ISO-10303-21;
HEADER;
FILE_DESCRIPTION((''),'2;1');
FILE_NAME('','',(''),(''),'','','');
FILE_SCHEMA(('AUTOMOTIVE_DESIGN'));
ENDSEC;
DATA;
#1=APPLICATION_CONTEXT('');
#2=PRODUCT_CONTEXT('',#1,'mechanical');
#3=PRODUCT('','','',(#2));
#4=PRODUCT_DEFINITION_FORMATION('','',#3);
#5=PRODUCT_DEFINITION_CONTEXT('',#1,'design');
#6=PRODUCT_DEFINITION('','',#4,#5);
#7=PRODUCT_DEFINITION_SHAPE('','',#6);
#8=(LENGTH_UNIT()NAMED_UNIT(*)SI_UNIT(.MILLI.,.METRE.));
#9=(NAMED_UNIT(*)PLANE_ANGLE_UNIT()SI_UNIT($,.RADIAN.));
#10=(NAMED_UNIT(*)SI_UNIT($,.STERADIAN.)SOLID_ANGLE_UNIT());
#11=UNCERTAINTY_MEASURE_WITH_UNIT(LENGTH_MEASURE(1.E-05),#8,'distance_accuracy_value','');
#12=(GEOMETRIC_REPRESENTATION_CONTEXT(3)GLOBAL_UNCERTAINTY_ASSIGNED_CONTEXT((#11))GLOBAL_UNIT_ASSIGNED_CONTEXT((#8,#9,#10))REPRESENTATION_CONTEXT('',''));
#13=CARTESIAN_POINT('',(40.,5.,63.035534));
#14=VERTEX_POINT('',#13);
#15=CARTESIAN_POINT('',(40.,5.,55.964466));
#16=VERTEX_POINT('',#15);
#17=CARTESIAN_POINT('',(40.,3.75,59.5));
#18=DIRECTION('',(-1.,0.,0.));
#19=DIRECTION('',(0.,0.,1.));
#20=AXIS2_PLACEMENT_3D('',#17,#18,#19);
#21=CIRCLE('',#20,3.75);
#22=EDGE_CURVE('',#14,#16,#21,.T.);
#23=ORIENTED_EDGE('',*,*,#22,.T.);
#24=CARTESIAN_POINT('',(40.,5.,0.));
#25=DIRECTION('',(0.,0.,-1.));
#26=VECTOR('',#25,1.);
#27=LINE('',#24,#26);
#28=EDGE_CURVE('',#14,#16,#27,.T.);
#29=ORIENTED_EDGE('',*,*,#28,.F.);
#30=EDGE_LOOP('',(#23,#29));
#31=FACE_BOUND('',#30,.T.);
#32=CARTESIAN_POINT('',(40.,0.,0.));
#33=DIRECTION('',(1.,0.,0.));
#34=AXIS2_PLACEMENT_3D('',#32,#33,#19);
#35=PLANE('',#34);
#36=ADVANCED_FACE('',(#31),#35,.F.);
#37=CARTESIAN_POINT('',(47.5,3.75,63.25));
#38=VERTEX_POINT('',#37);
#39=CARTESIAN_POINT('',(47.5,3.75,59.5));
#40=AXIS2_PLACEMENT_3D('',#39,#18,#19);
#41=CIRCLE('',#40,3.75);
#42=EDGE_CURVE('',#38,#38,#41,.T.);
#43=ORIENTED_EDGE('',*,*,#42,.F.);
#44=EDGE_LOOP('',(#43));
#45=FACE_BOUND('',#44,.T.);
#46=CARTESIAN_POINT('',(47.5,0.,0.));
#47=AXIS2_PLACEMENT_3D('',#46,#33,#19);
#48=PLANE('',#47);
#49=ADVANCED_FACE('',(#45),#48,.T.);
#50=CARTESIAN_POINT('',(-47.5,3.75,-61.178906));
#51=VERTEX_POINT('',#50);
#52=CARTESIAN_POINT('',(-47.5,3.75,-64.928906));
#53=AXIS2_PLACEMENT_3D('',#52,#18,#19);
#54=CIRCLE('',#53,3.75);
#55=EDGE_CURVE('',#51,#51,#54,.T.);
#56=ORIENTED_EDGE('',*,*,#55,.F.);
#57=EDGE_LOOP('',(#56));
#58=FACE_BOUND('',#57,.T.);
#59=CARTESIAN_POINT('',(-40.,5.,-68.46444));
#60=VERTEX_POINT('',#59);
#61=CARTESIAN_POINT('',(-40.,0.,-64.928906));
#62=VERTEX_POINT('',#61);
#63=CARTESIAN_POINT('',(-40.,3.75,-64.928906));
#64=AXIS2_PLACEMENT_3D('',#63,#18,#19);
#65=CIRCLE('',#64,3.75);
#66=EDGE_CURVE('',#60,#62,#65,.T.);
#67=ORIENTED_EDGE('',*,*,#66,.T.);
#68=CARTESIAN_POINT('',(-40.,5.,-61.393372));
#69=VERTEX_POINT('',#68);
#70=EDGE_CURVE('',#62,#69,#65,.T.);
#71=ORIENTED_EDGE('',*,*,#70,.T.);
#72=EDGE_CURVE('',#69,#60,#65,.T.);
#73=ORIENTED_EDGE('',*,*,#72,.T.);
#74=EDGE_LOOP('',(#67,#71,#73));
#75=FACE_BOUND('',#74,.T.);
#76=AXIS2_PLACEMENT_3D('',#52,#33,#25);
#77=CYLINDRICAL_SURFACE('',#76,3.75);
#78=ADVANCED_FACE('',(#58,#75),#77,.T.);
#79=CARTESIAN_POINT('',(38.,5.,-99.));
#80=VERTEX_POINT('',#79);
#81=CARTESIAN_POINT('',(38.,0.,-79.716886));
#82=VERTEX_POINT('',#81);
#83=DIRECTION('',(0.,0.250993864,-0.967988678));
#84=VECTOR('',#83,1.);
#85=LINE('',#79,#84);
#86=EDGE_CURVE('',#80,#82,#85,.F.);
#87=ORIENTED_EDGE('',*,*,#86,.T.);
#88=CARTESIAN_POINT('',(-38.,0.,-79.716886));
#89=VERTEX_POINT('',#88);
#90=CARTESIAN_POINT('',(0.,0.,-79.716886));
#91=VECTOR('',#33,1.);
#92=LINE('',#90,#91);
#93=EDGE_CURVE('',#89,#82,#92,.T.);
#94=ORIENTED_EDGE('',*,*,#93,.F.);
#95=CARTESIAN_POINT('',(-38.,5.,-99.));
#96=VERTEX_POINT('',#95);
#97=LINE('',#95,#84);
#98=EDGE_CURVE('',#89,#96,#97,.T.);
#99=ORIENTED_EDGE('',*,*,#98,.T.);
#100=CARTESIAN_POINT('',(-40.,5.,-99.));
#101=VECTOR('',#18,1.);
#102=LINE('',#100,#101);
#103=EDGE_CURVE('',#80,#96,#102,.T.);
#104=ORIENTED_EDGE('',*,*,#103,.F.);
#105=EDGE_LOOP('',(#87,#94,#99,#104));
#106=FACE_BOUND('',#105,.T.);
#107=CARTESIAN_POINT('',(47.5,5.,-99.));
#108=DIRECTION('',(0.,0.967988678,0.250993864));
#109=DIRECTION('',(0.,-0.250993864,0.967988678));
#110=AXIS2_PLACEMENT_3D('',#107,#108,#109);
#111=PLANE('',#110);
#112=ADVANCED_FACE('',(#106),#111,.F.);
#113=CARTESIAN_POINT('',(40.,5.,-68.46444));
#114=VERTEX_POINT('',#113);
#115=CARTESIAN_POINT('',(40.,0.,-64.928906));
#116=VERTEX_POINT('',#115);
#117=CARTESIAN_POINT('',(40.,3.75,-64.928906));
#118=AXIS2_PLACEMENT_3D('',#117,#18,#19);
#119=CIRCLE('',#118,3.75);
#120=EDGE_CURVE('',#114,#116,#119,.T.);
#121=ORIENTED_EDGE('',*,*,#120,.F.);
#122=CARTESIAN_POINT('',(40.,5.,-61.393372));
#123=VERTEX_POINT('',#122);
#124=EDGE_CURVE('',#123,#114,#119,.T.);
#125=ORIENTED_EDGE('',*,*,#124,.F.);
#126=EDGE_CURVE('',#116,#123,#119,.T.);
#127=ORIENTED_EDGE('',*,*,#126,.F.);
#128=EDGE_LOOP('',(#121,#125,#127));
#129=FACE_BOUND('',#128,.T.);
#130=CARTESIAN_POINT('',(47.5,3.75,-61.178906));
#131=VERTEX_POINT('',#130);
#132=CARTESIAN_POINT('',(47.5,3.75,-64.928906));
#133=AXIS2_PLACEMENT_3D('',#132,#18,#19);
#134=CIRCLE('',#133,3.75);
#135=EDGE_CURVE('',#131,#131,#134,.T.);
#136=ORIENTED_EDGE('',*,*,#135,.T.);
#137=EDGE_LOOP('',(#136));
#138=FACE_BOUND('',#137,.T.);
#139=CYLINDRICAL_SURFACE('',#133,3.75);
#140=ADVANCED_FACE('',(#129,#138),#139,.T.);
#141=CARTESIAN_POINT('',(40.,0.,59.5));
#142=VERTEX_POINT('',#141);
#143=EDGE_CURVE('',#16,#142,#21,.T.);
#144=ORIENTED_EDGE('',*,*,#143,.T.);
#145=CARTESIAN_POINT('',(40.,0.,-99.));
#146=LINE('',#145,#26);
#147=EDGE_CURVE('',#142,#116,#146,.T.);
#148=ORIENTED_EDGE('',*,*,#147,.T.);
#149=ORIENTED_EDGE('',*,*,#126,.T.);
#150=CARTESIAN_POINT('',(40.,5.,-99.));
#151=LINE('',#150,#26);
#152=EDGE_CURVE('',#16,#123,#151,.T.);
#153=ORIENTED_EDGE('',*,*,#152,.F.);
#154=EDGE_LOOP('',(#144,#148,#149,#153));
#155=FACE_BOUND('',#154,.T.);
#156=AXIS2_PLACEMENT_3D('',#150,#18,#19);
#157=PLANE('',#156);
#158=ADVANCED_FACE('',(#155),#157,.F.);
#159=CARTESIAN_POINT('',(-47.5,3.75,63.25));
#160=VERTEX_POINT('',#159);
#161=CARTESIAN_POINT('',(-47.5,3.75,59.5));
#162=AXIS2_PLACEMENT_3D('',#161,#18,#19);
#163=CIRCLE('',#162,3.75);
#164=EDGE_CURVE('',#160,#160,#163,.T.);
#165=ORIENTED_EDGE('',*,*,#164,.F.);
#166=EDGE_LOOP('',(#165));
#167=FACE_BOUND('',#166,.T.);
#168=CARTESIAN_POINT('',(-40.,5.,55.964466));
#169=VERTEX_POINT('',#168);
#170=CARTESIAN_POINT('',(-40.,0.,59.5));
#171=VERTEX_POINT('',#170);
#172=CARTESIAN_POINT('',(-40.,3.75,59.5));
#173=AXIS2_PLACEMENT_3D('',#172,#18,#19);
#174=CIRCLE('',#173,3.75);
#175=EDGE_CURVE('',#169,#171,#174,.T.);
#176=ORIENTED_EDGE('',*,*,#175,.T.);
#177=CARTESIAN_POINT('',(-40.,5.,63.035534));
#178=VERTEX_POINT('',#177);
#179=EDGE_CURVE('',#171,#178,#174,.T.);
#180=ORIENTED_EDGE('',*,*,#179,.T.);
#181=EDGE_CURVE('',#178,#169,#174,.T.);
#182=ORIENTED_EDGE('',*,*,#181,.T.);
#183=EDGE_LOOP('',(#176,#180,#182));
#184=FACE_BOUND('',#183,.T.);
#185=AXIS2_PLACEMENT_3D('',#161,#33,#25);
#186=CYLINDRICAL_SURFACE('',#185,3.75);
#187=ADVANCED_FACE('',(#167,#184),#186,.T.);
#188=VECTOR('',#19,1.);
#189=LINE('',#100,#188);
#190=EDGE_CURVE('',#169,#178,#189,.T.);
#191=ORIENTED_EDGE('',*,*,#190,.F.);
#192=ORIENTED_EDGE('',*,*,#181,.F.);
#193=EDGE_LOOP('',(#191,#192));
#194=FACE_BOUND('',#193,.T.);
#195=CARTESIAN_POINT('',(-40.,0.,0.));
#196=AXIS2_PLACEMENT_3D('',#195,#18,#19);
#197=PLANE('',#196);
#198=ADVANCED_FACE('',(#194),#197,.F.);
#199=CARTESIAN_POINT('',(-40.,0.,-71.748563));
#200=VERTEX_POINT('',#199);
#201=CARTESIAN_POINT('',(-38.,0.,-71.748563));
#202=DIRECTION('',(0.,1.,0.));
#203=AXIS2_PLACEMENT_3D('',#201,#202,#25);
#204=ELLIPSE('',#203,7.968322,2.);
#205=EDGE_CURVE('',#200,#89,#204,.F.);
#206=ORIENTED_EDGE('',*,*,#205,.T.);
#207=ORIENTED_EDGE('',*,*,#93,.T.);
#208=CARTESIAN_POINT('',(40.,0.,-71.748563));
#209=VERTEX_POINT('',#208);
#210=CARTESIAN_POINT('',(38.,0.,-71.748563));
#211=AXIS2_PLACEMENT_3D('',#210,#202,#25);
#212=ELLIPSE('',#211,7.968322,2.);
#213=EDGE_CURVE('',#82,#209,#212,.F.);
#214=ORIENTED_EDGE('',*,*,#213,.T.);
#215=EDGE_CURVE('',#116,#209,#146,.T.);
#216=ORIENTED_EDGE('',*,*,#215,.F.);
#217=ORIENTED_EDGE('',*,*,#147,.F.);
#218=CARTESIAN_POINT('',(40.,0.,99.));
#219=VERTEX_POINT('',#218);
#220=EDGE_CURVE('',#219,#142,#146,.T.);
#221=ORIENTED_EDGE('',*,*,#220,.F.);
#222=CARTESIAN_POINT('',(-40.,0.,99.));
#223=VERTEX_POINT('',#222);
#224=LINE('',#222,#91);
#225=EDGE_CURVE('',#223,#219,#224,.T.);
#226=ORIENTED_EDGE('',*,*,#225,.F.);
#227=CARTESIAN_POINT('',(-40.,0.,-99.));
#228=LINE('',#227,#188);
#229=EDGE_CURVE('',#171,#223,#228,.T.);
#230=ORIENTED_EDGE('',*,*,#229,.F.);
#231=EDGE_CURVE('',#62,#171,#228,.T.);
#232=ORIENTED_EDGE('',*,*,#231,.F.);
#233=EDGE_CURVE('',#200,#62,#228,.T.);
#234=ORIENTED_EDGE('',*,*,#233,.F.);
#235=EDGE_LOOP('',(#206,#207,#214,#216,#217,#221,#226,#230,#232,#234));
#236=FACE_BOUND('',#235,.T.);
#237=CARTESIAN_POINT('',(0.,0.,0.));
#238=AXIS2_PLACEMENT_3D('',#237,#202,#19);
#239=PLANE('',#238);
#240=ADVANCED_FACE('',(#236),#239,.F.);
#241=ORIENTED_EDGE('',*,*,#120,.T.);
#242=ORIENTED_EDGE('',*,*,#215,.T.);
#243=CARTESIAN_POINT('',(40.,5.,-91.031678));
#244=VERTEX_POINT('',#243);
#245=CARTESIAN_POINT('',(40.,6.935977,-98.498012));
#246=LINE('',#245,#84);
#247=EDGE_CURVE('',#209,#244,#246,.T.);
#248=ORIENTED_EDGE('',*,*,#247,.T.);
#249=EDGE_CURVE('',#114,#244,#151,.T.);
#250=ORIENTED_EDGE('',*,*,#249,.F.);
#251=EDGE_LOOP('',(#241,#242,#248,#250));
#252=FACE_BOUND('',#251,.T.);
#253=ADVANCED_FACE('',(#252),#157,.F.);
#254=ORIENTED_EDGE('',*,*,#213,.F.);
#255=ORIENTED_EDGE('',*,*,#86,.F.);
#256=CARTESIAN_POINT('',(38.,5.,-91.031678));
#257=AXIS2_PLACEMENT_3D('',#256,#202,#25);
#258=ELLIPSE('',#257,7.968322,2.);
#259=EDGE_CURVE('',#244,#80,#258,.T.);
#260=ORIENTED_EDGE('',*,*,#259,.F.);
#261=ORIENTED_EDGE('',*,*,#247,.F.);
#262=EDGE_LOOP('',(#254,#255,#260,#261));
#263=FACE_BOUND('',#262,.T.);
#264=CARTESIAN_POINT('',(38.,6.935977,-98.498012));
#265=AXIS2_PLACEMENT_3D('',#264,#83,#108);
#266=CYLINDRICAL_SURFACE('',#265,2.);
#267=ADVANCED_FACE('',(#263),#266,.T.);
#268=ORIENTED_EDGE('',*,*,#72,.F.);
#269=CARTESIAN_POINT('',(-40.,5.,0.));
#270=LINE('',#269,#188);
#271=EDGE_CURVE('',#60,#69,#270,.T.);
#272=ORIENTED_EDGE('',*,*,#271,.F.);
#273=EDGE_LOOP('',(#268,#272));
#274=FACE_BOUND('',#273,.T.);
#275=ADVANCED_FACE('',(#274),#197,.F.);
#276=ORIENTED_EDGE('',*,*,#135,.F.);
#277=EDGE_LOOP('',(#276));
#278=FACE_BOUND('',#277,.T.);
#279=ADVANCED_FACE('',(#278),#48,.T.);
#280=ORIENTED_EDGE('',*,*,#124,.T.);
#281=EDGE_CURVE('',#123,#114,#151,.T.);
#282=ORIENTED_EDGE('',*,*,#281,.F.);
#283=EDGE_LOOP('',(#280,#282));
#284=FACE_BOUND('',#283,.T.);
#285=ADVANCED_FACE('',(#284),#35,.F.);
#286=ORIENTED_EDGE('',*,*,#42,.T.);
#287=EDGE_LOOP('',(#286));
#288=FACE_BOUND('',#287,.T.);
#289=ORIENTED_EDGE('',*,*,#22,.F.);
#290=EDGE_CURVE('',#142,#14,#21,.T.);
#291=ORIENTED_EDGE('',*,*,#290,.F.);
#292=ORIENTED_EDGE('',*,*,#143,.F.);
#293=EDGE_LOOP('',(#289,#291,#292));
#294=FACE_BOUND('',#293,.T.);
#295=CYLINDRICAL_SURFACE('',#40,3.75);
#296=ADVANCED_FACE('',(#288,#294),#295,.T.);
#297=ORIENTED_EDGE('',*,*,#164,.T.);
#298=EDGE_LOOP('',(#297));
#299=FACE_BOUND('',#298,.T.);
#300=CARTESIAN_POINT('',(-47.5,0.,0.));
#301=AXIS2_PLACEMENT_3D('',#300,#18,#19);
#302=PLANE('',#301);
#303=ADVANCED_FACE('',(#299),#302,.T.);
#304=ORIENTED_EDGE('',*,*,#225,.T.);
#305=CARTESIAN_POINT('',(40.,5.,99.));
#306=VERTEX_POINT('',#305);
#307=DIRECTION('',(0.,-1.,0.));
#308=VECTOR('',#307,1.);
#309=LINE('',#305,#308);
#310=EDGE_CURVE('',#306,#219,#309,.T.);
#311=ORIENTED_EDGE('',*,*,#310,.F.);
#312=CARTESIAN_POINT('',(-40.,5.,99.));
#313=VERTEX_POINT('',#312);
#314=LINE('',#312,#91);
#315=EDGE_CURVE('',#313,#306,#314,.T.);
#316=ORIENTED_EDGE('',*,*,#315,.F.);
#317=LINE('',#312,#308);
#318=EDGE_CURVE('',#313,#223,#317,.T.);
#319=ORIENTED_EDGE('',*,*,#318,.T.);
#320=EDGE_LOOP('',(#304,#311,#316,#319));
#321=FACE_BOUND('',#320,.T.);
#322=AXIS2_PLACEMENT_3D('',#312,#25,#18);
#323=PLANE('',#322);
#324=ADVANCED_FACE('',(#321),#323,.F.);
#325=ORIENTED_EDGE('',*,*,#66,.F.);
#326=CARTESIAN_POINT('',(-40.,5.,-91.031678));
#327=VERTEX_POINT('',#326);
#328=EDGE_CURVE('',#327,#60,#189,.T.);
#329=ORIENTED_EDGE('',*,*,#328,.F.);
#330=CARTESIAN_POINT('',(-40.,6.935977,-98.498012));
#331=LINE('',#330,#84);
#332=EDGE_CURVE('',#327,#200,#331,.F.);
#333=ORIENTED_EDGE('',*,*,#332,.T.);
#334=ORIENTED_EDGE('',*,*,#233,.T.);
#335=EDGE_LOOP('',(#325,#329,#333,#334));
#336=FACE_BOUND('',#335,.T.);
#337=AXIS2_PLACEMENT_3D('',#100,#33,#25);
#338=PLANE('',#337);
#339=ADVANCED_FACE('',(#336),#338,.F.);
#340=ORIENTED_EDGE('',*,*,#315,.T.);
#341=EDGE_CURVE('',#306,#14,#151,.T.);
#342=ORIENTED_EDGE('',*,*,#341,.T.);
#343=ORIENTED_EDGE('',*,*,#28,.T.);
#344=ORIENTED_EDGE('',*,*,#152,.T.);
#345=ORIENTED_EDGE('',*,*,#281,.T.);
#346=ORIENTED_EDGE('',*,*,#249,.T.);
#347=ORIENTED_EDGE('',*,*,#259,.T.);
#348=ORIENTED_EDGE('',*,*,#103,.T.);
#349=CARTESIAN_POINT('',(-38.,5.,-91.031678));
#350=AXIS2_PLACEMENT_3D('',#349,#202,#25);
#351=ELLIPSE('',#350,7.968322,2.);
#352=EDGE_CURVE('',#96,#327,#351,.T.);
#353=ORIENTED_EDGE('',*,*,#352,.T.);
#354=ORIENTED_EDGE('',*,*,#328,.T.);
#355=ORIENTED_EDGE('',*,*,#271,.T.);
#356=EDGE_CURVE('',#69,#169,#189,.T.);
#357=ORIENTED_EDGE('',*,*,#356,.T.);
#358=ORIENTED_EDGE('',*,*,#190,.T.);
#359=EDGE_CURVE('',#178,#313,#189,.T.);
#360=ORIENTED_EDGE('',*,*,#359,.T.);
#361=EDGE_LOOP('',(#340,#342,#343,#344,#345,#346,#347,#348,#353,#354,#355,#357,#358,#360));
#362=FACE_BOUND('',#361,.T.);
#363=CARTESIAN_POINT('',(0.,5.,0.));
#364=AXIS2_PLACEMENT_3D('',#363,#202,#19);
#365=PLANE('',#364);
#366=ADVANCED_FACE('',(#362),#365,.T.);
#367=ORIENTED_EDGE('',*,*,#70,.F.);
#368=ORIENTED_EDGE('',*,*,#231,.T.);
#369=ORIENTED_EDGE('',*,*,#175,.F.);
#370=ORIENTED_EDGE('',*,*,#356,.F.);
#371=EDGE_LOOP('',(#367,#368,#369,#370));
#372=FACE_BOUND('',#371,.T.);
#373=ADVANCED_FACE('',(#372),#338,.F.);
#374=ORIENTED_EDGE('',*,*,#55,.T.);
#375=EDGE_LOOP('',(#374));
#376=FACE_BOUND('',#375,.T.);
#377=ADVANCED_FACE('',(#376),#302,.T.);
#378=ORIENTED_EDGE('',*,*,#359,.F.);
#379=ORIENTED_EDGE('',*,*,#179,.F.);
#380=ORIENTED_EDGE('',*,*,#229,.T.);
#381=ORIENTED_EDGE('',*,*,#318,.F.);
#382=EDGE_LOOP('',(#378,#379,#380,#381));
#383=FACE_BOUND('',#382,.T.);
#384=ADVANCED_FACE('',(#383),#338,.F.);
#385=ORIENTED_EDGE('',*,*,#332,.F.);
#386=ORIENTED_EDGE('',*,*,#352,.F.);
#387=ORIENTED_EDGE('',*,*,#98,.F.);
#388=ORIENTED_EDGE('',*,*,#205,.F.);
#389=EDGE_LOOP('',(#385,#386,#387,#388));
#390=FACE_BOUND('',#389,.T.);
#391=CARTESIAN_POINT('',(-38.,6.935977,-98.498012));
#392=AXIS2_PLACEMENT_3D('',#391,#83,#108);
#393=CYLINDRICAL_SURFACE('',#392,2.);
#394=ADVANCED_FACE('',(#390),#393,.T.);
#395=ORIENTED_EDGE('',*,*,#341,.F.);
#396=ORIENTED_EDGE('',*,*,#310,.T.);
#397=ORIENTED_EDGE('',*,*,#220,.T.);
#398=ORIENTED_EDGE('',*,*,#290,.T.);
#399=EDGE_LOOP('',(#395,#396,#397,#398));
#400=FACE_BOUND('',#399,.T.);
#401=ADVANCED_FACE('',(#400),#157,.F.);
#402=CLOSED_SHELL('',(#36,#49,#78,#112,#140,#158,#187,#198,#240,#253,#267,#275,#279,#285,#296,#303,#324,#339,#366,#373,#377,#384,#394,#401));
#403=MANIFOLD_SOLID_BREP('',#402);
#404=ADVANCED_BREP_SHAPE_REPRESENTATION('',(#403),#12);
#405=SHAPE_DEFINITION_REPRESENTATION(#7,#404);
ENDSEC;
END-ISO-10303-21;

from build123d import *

# Parameters (mm, degrees)
SKETCH1_W           = 80
SKETCH1_H           = 198
BOSS_EXTRUDE1_DEPTH = 5
SKETCH2_R           = 3.75
BOSS_EXTRUDE2_DEPTH = 7.5
CUT_EXTRUDE1_DEPTH  = 88.5
FILLET2_R           = 2


with BuildPart() as part:
    # Sketch1 → Boss-Extrude1 (new body)
    with BuildSketch(Plane(origin=(0, 0, 0), x_dir=(1, 0, 0), z_dir=(0, 1, 0))):
        Rectangle(SKETCH1_W, SKETCH1_H)
    extrude(amount=BOSS_EXTRUDE1_DEPTH)

    # Sketch2 → Boss-Extrude2 (add)
    with BuildSketch(Plane.ZY.offset(40)):
        with Locations((-64.928905814, 3.75)):
            Circle(SKETCH2_R)
        with Locations((59.5, 3.75)):
            Circle(SKETCH2_R)
    boss_extrude2 = extrude(amount=BOSS_EXTRUDE2_DEPTH)

    # Mirror1: Boss-Extrude2 across plane
    add(boss_extrude2.mirror(Plane(origin=(0, 0, 0), x_dir=(0, 0, 1), z_dir=(1, 0, 0))))

    # Sketch3 → Cut-Extrude1 (cut, through all)
    with BuildSketch(Plane.ZY.offset(40)):
        Polygon((-99, 5), (-72.932513489, -1.759148434), (-103.799311702, -1.759148434), align=None)
    extrude(amount=-CUT_EXTRUDE1_DEPTH, mode=Mode.SUBTRACT)

    # Fillet2
    fillet2_edges = [part.edges().sort_by_distance(p)[0] for p in [
        (40, 2.5, -89.358442796),
        (-40, 2.5, -89.358442796),
    ]]
    fillet(fillet2_edges, radius=FILLET2_R)


solid = part.part
